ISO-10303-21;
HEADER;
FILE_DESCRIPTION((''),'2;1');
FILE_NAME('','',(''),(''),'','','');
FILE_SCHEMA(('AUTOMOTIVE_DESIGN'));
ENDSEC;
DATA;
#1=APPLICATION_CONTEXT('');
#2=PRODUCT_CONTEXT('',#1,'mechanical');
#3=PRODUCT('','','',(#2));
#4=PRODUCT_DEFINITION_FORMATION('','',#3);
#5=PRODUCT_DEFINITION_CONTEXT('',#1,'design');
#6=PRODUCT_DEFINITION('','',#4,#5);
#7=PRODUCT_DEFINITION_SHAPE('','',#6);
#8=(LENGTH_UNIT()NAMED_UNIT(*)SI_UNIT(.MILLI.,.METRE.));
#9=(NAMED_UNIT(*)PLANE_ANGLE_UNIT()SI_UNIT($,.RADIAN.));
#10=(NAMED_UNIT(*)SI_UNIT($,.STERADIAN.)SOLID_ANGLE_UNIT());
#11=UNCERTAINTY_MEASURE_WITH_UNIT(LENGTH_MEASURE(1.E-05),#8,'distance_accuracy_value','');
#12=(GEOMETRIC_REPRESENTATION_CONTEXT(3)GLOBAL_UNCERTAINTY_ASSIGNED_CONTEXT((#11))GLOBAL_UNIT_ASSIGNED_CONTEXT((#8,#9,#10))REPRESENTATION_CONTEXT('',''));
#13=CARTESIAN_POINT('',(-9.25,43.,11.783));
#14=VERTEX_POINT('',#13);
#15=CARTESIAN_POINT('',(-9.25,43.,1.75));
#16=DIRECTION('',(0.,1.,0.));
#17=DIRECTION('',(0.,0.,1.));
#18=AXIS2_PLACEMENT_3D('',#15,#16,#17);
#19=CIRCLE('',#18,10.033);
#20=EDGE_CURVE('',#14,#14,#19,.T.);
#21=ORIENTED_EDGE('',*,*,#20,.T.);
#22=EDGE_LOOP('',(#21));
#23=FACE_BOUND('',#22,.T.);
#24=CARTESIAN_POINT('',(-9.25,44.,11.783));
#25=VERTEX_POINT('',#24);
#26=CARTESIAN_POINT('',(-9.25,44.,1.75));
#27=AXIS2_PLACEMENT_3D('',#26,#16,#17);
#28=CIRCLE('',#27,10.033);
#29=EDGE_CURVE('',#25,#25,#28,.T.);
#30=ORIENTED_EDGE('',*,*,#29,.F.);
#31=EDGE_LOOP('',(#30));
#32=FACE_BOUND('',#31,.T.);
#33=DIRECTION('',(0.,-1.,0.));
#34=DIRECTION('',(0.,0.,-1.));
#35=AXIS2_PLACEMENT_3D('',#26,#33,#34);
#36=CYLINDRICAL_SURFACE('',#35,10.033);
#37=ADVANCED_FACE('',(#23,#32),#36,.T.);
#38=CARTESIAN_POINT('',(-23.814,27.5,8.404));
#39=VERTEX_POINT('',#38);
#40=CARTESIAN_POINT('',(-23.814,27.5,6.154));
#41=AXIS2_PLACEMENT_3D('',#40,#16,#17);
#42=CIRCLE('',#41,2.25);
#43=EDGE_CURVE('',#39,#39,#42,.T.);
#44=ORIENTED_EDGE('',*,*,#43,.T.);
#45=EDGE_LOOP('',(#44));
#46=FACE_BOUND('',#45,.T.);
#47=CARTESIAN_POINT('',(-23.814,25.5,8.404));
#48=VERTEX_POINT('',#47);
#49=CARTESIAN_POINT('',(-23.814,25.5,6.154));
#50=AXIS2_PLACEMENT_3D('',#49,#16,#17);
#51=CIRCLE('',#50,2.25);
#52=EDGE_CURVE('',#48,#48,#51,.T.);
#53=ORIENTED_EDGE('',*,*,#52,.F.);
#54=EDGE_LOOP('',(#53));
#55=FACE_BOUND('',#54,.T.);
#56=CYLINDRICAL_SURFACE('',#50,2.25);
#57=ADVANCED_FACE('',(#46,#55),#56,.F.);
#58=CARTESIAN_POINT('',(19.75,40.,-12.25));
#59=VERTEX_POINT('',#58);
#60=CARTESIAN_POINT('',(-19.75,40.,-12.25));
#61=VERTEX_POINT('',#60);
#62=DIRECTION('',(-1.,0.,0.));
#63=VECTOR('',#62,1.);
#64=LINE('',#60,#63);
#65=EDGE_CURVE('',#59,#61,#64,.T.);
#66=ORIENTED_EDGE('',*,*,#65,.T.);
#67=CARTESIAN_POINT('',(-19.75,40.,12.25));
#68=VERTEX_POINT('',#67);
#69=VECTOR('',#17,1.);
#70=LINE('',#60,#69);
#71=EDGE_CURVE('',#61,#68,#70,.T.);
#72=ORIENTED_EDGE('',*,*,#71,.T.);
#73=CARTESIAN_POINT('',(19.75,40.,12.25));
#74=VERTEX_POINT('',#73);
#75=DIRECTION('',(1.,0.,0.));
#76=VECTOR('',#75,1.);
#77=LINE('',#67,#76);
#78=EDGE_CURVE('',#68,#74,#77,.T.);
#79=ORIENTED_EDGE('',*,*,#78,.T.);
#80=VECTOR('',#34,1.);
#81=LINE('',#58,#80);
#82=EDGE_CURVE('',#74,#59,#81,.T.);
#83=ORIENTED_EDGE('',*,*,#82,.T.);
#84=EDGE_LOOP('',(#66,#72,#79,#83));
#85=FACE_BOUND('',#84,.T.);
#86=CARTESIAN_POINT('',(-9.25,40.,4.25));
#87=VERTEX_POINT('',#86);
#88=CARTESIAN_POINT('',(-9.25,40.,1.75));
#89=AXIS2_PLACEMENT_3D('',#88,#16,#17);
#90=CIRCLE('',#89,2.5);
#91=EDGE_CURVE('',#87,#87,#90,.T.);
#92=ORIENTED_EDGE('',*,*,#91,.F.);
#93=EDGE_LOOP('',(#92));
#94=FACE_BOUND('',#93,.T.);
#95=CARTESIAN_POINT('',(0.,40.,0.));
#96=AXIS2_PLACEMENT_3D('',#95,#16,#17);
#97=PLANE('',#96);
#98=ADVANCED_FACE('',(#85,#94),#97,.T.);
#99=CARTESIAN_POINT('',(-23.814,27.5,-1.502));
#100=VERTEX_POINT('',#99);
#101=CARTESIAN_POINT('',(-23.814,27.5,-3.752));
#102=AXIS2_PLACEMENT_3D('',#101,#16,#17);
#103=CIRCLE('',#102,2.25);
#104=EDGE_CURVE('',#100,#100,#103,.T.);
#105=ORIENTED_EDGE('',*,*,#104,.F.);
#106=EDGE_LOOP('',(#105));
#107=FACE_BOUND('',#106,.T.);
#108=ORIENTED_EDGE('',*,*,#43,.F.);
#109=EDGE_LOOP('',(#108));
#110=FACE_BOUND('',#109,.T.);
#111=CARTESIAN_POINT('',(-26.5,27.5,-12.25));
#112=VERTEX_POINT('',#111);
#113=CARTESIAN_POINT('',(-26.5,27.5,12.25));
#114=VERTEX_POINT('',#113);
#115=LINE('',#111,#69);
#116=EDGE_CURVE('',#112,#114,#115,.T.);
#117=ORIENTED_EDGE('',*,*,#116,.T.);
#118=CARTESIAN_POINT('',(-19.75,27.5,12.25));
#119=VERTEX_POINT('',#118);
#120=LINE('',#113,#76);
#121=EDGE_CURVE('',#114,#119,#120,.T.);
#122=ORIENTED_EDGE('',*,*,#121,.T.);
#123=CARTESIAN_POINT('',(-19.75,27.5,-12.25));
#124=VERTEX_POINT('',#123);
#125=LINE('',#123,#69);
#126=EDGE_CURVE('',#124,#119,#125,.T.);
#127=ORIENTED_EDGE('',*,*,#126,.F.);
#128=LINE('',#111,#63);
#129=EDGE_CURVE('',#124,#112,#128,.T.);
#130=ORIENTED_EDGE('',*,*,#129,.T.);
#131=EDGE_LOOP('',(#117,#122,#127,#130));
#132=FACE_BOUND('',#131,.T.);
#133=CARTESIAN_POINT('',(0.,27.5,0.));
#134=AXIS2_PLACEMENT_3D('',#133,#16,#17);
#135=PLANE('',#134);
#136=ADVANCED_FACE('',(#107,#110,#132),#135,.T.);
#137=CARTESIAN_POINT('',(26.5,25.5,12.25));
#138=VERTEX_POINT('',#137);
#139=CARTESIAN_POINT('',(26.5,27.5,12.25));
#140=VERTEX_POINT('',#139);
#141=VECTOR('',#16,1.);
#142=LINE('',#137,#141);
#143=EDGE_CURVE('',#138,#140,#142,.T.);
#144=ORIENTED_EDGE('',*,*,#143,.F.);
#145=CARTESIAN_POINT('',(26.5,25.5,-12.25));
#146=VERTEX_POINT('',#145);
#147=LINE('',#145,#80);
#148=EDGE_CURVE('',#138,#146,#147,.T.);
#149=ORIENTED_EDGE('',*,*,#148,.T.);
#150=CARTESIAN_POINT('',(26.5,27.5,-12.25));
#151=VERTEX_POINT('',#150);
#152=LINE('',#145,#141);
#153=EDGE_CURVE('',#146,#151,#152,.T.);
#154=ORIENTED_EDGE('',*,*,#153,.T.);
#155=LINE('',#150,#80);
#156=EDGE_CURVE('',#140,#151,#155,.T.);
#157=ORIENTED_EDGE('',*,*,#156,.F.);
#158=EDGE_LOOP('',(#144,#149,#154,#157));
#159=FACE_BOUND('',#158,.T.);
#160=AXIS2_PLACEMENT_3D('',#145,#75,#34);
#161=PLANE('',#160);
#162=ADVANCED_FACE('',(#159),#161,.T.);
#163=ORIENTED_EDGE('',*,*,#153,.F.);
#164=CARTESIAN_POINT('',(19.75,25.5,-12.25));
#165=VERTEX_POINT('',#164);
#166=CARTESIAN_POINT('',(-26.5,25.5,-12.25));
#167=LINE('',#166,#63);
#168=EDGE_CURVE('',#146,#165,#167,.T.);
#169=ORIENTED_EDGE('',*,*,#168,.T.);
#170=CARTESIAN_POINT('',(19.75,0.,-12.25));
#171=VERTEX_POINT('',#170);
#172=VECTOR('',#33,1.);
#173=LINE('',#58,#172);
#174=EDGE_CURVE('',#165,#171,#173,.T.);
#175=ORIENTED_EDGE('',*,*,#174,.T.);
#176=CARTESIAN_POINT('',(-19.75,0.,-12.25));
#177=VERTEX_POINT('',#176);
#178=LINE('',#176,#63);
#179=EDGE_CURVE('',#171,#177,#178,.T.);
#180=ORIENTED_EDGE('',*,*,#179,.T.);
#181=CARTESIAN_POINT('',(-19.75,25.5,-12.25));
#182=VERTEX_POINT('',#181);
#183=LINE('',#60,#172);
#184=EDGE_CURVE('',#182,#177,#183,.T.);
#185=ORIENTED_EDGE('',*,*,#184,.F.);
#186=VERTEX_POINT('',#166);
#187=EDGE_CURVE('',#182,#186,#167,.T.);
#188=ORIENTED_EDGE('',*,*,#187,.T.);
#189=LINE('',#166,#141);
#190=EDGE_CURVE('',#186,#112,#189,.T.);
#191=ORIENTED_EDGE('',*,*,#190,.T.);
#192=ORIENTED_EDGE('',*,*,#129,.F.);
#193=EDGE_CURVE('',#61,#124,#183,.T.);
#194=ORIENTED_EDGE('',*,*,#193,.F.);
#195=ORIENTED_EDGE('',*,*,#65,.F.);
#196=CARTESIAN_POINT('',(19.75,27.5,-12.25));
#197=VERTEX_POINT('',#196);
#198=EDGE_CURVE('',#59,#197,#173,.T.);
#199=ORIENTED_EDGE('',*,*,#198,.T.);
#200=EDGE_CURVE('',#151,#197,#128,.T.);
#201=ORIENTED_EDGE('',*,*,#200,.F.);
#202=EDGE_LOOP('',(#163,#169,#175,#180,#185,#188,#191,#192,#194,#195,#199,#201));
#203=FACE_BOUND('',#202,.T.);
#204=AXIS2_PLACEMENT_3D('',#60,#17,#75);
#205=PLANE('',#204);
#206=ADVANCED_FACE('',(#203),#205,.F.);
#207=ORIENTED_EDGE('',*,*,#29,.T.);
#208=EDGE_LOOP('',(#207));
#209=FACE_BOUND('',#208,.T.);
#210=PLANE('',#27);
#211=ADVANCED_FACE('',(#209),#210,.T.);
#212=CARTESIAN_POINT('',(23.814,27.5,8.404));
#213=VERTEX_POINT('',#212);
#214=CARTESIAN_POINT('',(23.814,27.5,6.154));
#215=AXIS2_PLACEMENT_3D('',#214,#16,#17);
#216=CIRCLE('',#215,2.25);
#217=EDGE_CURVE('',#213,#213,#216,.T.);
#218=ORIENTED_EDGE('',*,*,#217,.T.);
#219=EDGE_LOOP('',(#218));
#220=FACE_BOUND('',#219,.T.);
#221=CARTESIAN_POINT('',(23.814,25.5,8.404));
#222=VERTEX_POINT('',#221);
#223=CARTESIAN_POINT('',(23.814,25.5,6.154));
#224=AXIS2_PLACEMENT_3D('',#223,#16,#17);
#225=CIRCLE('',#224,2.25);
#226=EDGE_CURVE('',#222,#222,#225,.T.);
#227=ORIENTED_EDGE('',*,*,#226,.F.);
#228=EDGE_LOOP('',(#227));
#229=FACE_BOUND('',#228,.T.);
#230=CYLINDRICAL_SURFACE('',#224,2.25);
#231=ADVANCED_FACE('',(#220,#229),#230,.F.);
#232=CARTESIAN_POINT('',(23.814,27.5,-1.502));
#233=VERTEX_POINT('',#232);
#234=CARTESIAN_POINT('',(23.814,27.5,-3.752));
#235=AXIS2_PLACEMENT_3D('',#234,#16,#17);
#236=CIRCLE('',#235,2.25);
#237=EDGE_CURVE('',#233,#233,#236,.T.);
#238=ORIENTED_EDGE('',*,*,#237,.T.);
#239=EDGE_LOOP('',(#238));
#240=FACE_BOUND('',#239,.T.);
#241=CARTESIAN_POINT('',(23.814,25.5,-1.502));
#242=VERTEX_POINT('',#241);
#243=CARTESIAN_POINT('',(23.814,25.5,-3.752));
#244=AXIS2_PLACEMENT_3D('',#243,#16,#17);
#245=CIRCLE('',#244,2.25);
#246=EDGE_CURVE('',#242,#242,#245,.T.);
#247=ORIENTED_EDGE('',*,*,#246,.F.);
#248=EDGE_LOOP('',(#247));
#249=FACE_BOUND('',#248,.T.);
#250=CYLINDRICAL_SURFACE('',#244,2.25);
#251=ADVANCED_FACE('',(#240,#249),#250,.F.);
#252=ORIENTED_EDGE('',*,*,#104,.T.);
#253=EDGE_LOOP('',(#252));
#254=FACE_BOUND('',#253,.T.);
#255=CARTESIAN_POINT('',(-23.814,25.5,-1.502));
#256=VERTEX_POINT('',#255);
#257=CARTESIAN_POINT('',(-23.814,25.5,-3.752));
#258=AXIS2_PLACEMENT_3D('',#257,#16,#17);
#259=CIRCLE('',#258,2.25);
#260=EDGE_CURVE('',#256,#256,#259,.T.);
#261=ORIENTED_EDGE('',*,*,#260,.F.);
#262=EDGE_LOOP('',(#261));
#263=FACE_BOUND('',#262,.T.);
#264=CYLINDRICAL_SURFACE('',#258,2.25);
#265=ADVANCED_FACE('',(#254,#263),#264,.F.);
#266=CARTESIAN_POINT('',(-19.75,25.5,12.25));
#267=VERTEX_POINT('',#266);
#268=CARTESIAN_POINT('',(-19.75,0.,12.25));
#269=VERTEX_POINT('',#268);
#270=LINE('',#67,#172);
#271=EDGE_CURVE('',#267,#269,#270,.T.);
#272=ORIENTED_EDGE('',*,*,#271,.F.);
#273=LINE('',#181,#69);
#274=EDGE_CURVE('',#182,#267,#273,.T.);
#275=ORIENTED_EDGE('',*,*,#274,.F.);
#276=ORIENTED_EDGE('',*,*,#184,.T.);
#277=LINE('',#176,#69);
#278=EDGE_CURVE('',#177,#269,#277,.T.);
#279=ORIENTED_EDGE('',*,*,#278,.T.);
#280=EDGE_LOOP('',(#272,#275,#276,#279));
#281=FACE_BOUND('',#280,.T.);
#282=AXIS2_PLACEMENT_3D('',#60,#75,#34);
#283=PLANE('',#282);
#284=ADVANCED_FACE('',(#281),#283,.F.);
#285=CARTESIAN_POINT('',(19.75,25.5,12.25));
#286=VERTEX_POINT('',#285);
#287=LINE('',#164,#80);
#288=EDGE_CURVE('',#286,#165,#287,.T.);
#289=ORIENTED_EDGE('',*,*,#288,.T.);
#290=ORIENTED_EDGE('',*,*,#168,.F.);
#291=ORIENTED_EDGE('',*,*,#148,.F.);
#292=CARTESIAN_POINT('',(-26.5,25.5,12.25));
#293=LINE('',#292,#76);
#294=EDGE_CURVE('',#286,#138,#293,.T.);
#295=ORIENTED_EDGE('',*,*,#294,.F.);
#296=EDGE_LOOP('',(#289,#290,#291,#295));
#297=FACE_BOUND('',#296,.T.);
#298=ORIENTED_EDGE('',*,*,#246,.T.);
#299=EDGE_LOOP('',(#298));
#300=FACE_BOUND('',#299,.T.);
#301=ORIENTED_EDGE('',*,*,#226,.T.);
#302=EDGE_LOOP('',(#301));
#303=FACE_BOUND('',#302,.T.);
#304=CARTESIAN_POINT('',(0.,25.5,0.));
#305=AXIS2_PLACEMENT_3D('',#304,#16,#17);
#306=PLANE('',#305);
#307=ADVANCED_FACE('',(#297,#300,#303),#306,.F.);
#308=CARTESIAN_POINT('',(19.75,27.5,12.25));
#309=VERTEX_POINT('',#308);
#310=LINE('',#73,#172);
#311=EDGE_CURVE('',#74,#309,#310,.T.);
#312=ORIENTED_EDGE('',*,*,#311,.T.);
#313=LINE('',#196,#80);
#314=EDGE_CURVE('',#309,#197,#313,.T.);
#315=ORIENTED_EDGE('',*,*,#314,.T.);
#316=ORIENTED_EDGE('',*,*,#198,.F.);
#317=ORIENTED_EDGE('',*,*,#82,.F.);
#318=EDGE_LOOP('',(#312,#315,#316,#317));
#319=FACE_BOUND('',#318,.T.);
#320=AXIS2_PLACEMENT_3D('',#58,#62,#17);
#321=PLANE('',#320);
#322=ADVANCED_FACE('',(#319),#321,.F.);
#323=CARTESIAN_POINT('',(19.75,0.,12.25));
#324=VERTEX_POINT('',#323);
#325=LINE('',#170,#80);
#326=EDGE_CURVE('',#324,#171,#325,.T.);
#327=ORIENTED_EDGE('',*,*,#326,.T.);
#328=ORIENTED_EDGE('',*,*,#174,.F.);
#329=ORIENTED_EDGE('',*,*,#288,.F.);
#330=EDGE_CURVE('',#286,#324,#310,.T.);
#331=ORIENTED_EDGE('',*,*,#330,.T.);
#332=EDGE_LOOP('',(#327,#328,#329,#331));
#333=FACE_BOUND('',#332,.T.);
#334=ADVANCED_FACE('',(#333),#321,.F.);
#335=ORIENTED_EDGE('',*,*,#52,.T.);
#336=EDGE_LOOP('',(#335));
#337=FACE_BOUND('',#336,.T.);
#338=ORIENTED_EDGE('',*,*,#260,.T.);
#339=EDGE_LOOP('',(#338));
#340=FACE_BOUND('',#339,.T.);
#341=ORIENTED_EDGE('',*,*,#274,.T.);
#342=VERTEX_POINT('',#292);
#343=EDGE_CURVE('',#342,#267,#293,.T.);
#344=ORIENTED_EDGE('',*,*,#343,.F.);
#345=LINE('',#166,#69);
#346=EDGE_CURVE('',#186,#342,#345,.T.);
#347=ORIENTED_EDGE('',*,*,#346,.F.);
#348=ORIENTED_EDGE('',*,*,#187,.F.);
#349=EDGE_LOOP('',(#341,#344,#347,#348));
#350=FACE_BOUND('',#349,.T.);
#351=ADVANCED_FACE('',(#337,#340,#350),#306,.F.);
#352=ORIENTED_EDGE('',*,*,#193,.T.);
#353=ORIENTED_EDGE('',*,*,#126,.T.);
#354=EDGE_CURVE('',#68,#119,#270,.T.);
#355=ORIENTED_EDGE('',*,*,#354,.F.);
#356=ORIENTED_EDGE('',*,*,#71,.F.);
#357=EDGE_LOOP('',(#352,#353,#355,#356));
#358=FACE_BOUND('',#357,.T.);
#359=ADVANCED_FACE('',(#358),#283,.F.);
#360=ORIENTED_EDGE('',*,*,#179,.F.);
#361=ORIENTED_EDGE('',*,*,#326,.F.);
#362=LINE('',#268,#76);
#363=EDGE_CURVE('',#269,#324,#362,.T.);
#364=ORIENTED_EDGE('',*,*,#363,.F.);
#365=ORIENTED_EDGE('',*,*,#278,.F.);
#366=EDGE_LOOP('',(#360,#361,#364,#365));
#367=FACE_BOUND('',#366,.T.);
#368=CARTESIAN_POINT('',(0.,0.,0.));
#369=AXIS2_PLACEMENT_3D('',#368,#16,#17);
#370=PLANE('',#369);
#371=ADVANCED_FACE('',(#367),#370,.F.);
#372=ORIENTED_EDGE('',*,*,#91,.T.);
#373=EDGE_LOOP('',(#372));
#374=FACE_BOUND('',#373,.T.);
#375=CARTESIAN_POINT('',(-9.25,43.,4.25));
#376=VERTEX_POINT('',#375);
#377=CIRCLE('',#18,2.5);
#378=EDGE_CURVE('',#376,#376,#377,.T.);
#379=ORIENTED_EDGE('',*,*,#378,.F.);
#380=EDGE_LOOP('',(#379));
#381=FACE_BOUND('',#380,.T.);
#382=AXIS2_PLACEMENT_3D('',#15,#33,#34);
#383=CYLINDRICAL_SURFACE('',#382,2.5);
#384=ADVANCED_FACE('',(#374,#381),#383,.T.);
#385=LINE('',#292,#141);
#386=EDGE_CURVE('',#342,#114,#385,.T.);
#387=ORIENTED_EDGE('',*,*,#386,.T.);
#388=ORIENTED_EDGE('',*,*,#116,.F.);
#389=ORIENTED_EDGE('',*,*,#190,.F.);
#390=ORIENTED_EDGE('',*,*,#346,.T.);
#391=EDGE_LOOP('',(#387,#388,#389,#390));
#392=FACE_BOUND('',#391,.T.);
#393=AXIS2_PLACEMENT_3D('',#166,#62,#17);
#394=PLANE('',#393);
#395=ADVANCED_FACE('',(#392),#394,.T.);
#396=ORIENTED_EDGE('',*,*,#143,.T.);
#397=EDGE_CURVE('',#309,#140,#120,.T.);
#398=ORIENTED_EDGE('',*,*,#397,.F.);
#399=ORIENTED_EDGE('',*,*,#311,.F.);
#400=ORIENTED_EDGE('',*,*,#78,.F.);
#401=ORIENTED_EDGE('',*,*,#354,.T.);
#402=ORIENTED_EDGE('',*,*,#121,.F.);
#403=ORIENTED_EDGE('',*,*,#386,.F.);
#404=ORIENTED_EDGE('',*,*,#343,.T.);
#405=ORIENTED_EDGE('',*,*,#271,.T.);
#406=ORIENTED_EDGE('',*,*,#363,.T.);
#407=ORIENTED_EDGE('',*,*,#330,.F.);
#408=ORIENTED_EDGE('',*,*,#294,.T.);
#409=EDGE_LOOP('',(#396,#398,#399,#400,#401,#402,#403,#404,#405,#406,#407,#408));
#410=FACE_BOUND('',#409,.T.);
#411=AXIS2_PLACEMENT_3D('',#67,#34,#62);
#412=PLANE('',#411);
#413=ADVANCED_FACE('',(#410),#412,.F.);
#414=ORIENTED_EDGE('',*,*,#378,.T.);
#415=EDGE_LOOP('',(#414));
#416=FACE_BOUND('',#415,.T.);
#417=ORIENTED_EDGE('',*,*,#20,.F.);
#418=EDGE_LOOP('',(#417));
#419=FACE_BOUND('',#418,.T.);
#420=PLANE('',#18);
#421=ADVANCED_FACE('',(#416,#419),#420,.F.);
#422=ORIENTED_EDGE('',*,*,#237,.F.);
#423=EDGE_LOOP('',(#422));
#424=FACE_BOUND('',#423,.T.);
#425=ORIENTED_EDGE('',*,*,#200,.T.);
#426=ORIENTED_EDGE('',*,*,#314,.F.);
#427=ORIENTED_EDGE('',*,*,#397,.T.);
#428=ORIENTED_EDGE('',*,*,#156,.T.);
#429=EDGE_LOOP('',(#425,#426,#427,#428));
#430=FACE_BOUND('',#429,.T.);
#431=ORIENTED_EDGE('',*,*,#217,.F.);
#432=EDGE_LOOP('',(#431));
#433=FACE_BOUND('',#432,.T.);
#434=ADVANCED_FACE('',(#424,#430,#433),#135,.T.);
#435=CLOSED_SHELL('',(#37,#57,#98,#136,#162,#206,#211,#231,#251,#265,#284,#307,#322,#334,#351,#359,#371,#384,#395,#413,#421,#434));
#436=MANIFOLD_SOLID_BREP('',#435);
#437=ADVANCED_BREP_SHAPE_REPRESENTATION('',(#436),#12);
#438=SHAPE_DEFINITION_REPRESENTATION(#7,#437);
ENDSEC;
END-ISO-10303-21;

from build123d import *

# Parameters (mm, degrees)
SKETCH1_W           = 39.5
SKETCH1_H           = 24.5
BOSS_EXTRUDE1_DEPTH = 40
SKETCH2_W           = 53
SKETCH2_H           = 24.5
BOSS_EXTRUDE2_DEPTH = 2
SKETCH3_R           = 2.25
CUT_EXTRUDE1_DEPTH  = 2
SKETCH4_R           = 2.5
BOSS_EXTRUDE3_DEPTH = 3
SKETCH5_R           = 10.033
BOSS_EXTRUDE4_DEPTH = 1


with BuildPart() as part:
    # Sketch1 → Boss-Extrude1 (new body)
    with BuildSketch(Plane(origin=(0, 0, 0), x_dir=(1, 0, 0), z_dir=(0, 1, 0))):
        Rectangle(SKETCH1_W, SKETCH1_H)
    extrude(amount=BOSS_EXTRUDE1_DEPTH)

    # Sketch2 → Boss-Extrude2 (add)
    with BuildSketch(Plane(origin=(0, 27.5, 0), x_dir=(1, 0, 0), z_dir=(0, 1, 0))):
        Rectangle(SKETCH2_W, SKETCH2_H)
    extrude(amount=-BOSS_EXTRUDE2_DEPTH)

    # Sketch3 → Cut-Extrude1 (cut)
    with BuildSketch(Plane(origin=(0, 27.5, 0), x_dir=(1, 0, 0), z_dir=(0, 1, 0))):
        with Locations(Location((-23.814, 3.752, 0), (0, 0, 270))):
            Circle(SKETCH3_R)
        with Locations(Location((-23.814, -6.154, 0), (0, 0, 270))):
            Circle(SKETCH3_R)
        with Locations(Location((23.814, 3.752, 0), (0, 0, 270))):
            Circle(SKETCH3_R)
        with Locations(Location((23.814, -6.154, 0), (0, 0, 270))):
            Circle(SKETCH3_R)
    extrude(amount=-CUT_EXTRUDE1_DEPTH, mode=Mode.SUBTRACT)

    # Sketch4 → Boss-Extrude3 (add)
    with BuildSketch(Plane(origin=(0, 40, 0), x_dir=(1, 0, 0), z_dir=(0, 1, 0))):
        with Locations(Location((-9.25, -1.75, 0), (0, 0, 270))):
            Circle(SKETCH4_R)
    extrude(amount=BOSS_EXTRUDE3_DEPTH)

    # Sketch5 → Boss-Extrude4 (add)
    with BuildSketch(Plane(origin=(0, 43, 0), x_dir=(1, 0, 0), z_dir=(0, 1, 0))):
        with Locations(Location((-9.25, -1.75, 0), (0, 0, 270))):
            Circle(SKETCH5_R)
    extrude(amount=BOSS_EXTRUDE4_DEPTH)


solid = part.part
